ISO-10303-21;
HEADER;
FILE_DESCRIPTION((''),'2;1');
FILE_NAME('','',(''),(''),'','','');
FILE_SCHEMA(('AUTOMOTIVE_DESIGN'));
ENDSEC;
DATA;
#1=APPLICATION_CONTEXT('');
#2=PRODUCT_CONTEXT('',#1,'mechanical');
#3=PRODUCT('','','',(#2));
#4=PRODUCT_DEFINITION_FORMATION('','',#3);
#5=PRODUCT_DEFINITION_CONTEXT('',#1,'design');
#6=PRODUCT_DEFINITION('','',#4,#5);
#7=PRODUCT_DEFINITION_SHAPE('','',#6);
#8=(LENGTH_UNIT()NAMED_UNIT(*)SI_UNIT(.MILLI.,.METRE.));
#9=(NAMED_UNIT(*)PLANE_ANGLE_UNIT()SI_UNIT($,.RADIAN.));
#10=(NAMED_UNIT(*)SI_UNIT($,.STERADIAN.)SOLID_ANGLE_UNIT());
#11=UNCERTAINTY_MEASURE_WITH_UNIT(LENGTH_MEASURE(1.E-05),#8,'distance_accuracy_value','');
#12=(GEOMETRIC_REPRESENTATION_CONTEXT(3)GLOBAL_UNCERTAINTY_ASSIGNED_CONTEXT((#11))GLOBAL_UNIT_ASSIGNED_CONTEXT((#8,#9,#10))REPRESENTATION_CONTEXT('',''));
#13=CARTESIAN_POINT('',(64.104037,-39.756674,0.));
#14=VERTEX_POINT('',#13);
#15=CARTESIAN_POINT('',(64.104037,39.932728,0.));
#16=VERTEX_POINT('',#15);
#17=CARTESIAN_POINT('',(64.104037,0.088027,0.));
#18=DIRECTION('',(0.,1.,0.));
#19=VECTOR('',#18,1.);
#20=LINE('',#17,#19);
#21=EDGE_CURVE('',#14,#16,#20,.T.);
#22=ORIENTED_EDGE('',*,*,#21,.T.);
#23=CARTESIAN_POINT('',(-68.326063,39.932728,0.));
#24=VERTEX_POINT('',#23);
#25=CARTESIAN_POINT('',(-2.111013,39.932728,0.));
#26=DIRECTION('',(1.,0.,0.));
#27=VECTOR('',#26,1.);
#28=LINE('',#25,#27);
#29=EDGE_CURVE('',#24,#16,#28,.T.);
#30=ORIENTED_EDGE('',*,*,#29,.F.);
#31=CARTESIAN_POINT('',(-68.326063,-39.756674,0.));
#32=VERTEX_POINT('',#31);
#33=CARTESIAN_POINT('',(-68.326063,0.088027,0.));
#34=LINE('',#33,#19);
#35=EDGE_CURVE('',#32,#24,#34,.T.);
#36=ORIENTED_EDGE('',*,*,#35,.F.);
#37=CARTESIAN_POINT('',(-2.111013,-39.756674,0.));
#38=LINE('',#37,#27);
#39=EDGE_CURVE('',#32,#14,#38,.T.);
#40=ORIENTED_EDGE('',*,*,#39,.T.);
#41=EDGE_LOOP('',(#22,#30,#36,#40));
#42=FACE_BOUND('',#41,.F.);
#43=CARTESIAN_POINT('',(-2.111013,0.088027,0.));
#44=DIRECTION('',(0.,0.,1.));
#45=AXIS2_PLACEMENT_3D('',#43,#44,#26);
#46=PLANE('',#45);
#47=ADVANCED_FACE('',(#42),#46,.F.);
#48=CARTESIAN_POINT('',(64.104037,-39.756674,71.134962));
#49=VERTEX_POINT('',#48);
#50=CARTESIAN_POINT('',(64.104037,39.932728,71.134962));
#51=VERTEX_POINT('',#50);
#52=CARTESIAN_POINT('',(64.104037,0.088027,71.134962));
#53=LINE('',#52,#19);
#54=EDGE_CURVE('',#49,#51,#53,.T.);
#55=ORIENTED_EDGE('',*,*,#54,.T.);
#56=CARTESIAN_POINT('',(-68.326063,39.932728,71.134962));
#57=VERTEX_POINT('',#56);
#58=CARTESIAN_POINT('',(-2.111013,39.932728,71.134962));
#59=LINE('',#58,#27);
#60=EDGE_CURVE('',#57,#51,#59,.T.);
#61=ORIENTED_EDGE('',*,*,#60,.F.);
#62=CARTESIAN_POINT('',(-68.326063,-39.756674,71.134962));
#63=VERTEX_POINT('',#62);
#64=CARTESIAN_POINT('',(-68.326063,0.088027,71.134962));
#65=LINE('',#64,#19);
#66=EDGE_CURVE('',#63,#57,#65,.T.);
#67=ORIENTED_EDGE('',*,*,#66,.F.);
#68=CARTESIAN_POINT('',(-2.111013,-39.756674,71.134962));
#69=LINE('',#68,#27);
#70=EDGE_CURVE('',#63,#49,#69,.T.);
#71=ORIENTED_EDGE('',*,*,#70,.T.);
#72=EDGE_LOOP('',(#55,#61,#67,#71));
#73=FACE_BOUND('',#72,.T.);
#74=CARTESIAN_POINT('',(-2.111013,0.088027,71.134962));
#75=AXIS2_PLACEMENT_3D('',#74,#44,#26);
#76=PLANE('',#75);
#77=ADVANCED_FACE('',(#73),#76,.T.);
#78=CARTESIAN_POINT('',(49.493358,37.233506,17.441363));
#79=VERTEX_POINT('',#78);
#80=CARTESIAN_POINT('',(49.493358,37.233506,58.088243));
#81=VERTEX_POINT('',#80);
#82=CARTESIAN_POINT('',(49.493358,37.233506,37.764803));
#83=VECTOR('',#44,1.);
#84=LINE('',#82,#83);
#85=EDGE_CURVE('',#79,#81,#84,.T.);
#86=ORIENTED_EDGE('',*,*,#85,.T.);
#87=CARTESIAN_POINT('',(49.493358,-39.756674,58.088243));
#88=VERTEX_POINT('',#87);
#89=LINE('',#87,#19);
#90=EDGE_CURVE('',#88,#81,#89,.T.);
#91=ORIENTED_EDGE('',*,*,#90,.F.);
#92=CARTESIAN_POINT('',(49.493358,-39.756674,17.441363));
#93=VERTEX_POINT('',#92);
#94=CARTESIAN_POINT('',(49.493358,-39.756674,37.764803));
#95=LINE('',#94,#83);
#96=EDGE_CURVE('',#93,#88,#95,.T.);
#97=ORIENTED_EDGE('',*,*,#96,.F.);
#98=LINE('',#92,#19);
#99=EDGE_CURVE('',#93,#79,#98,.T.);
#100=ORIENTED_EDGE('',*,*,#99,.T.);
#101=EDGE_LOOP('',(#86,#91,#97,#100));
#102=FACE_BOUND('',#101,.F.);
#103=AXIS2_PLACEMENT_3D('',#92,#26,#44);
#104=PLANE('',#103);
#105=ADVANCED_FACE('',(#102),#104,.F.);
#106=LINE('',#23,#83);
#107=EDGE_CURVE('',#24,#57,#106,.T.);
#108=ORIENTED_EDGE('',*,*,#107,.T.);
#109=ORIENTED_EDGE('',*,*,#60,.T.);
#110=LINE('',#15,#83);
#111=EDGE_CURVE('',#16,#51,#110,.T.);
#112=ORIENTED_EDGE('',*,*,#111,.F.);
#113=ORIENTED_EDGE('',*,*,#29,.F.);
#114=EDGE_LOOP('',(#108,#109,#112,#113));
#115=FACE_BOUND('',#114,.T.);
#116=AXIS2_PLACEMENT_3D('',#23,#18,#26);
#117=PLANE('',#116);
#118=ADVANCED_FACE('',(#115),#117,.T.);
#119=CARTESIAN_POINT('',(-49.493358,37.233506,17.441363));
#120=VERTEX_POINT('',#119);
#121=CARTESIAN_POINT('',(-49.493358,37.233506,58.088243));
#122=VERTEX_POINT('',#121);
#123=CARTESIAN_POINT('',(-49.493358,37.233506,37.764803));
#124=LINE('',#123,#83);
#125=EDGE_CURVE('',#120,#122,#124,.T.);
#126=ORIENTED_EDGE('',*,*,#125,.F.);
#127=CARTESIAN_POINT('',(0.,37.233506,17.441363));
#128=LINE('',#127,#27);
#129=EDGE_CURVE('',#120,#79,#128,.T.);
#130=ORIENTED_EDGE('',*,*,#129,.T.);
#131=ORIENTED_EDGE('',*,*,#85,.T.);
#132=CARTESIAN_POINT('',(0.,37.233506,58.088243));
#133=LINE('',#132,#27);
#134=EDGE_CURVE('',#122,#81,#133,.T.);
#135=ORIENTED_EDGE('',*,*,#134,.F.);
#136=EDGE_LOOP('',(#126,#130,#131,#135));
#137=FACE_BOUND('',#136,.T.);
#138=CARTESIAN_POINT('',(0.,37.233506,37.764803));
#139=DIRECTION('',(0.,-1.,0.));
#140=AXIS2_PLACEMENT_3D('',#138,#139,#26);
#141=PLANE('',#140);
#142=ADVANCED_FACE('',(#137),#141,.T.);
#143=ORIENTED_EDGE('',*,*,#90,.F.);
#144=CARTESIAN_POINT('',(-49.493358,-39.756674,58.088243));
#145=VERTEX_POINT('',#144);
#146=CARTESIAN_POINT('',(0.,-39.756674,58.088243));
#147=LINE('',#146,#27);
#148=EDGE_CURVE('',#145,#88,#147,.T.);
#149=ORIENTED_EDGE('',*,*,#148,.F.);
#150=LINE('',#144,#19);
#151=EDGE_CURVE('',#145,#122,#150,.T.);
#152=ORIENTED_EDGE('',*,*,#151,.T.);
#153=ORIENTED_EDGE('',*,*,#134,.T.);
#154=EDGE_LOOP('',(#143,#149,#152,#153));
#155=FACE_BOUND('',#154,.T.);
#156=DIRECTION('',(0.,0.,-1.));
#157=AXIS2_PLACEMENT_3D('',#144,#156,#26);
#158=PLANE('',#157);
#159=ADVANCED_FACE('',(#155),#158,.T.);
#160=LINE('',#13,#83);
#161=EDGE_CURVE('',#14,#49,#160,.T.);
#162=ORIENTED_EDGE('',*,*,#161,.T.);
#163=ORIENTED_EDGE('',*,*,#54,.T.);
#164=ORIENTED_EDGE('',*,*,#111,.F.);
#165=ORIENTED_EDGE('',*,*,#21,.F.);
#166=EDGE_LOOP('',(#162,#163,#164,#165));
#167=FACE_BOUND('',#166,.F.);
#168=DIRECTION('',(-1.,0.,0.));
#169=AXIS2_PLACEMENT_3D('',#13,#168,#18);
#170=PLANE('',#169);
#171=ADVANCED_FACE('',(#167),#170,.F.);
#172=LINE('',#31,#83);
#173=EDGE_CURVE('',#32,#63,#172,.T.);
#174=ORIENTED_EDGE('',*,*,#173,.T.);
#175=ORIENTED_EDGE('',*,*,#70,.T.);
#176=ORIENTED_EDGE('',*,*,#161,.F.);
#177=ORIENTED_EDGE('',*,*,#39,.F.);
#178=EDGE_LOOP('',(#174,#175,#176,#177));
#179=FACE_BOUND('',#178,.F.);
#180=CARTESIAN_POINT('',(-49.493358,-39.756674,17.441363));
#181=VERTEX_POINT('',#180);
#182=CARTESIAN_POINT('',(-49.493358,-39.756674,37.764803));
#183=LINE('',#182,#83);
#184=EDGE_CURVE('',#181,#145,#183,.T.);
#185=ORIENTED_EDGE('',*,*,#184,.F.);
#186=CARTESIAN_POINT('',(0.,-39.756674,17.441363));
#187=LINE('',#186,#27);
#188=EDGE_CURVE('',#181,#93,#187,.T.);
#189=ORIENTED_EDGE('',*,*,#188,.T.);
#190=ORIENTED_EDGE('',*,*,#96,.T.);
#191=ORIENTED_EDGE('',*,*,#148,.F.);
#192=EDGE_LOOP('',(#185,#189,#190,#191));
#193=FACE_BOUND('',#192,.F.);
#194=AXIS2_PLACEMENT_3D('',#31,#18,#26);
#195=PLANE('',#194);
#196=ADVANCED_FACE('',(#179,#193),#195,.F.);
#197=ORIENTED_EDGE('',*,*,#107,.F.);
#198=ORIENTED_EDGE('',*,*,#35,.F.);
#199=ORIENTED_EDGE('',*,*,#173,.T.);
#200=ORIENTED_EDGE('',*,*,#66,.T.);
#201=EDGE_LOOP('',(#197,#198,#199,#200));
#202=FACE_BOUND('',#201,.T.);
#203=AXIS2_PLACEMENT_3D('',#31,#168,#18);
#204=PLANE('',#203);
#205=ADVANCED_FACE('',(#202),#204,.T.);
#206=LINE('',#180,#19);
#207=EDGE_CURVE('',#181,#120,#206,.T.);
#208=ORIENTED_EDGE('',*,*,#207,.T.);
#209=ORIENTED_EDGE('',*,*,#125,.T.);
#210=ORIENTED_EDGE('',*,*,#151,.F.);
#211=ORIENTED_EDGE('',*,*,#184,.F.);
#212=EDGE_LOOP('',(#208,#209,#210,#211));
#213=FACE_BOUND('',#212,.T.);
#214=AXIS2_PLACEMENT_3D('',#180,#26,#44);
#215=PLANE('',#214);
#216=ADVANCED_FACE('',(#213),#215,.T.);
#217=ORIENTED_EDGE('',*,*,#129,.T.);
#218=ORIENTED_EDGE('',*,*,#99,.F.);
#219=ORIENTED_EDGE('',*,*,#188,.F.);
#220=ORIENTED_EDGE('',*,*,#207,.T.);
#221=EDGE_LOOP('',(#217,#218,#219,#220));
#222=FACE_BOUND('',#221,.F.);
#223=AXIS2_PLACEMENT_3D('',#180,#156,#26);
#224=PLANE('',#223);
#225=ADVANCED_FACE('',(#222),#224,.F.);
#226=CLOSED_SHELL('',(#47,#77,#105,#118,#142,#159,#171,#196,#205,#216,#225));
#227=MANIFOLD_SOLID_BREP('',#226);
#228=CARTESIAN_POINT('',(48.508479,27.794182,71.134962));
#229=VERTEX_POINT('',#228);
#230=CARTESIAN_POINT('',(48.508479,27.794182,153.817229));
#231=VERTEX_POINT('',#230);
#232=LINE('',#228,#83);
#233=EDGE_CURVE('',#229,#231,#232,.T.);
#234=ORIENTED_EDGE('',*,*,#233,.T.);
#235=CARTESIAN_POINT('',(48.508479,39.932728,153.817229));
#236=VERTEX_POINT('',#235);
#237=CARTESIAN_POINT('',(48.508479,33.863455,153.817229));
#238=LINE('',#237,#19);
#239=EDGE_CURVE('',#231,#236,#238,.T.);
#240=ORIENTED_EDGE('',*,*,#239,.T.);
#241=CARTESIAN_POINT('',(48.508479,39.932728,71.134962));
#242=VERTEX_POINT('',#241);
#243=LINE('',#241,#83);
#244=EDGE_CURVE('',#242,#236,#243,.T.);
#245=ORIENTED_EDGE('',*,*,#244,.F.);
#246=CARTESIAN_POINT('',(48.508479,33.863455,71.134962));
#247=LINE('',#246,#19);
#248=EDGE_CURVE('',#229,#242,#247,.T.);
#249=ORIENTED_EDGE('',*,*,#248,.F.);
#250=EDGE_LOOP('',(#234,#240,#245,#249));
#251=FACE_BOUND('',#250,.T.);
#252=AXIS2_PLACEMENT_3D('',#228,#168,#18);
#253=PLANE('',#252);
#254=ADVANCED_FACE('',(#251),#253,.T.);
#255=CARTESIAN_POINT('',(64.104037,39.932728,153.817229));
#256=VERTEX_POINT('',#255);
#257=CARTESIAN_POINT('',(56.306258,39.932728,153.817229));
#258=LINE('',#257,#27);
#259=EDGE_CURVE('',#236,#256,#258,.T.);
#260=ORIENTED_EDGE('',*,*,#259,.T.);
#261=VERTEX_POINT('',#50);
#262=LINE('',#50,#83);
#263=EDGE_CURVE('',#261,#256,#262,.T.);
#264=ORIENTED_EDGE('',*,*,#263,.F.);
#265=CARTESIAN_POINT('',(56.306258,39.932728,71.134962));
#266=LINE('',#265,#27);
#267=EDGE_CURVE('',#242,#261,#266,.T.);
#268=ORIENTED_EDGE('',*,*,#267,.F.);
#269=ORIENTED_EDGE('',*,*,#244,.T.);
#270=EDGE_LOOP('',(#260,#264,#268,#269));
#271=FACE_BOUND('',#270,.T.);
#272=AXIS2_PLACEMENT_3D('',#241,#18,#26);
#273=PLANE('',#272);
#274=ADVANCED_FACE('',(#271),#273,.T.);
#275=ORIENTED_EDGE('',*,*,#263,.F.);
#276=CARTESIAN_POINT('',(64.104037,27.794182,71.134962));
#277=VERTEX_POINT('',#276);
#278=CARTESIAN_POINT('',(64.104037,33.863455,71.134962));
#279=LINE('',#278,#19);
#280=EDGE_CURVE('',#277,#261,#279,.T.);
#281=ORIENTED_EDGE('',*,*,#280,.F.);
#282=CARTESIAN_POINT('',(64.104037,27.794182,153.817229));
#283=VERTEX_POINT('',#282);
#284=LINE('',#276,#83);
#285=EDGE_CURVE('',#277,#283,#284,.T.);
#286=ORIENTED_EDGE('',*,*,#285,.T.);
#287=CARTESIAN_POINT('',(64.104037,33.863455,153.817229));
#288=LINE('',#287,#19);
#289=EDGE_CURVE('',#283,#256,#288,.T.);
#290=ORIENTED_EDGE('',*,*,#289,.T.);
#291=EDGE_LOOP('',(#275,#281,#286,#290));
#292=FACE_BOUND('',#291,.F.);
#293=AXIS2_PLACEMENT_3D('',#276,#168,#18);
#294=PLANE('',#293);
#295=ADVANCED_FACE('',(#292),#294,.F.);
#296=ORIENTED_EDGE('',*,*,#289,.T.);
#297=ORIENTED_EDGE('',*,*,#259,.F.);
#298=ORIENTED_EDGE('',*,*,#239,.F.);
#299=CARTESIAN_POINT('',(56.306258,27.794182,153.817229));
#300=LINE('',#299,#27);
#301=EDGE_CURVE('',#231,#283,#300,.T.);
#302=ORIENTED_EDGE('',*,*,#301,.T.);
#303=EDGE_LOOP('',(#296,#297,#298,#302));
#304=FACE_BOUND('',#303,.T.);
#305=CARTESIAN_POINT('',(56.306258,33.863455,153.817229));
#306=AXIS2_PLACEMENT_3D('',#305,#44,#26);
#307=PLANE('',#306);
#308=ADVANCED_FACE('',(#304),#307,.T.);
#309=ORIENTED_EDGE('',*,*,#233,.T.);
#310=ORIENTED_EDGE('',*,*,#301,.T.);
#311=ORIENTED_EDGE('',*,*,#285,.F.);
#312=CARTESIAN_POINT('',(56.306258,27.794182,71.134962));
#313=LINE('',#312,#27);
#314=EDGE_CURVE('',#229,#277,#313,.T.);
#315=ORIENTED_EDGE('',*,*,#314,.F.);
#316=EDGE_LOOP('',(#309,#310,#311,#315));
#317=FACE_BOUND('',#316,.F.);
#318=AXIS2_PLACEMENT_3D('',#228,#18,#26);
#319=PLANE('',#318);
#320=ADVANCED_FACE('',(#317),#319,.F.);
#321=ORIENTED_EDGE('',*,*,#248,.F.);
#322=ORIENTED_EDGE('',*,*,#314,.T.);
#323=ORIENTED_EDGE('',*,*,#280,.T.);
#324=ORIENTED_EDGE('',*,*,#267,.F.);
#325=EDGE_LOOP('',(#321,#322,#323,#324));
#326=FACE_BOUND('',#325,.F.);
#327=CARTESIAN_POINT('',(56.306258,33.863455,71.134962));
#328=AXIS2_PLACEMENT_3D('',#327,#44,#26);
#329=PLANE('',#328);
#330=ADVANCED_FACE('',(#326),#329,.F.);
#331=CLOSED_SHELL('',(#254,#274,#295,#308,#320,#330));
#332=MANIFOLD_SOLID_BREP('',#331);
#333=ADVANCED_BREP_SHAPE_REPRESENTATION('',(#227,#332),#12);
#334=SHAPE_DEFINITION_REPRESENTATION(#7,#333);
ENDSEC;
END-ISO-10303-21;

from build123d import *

# Parameters (mm, degrees)
F0_W     = 132.4301
F0_H     = 79.689402
F1_DEPTH = 71.134962
F3_W     = 98.986716
F3_H     = 40.646881
F4_DEPTH = 76.99018
F5_W     = 15.595557
F5_H     = 12.138546
F6_DEPTH = 82.682267


with BuildPart() as f1:
    # F0 (on Top) → F1 (new body)
    with BuildSketch(Plane.XY):
        with Locations((-2.111013, 0.088027)):
            Rectangle(F0_W, F0_H)
    extrude(amount=F1_DEPTH)

    # F3 (on face) → F4 (cut)
    with BuildSketch(Plane.XZ.offset(39.756674)):
        with Locations((0, 37.764803)):
            Rectangle(F3_W, F3_H)
    extrude(amount=-F4_DEPTH, mode=Mode.SUBTRACT)


with BuildPart() as f6:
    # F5 (on face) → F6 (new body)
    with BuildSketch(Plane.XY.offset(71.134962)):
        with Locations((56.306258, 33.863455)):
            Rectangle(F5_W, F5_H)
    extrude(amount=F6_DEPTH)


solid = Compound([f1.part, f6.part])
